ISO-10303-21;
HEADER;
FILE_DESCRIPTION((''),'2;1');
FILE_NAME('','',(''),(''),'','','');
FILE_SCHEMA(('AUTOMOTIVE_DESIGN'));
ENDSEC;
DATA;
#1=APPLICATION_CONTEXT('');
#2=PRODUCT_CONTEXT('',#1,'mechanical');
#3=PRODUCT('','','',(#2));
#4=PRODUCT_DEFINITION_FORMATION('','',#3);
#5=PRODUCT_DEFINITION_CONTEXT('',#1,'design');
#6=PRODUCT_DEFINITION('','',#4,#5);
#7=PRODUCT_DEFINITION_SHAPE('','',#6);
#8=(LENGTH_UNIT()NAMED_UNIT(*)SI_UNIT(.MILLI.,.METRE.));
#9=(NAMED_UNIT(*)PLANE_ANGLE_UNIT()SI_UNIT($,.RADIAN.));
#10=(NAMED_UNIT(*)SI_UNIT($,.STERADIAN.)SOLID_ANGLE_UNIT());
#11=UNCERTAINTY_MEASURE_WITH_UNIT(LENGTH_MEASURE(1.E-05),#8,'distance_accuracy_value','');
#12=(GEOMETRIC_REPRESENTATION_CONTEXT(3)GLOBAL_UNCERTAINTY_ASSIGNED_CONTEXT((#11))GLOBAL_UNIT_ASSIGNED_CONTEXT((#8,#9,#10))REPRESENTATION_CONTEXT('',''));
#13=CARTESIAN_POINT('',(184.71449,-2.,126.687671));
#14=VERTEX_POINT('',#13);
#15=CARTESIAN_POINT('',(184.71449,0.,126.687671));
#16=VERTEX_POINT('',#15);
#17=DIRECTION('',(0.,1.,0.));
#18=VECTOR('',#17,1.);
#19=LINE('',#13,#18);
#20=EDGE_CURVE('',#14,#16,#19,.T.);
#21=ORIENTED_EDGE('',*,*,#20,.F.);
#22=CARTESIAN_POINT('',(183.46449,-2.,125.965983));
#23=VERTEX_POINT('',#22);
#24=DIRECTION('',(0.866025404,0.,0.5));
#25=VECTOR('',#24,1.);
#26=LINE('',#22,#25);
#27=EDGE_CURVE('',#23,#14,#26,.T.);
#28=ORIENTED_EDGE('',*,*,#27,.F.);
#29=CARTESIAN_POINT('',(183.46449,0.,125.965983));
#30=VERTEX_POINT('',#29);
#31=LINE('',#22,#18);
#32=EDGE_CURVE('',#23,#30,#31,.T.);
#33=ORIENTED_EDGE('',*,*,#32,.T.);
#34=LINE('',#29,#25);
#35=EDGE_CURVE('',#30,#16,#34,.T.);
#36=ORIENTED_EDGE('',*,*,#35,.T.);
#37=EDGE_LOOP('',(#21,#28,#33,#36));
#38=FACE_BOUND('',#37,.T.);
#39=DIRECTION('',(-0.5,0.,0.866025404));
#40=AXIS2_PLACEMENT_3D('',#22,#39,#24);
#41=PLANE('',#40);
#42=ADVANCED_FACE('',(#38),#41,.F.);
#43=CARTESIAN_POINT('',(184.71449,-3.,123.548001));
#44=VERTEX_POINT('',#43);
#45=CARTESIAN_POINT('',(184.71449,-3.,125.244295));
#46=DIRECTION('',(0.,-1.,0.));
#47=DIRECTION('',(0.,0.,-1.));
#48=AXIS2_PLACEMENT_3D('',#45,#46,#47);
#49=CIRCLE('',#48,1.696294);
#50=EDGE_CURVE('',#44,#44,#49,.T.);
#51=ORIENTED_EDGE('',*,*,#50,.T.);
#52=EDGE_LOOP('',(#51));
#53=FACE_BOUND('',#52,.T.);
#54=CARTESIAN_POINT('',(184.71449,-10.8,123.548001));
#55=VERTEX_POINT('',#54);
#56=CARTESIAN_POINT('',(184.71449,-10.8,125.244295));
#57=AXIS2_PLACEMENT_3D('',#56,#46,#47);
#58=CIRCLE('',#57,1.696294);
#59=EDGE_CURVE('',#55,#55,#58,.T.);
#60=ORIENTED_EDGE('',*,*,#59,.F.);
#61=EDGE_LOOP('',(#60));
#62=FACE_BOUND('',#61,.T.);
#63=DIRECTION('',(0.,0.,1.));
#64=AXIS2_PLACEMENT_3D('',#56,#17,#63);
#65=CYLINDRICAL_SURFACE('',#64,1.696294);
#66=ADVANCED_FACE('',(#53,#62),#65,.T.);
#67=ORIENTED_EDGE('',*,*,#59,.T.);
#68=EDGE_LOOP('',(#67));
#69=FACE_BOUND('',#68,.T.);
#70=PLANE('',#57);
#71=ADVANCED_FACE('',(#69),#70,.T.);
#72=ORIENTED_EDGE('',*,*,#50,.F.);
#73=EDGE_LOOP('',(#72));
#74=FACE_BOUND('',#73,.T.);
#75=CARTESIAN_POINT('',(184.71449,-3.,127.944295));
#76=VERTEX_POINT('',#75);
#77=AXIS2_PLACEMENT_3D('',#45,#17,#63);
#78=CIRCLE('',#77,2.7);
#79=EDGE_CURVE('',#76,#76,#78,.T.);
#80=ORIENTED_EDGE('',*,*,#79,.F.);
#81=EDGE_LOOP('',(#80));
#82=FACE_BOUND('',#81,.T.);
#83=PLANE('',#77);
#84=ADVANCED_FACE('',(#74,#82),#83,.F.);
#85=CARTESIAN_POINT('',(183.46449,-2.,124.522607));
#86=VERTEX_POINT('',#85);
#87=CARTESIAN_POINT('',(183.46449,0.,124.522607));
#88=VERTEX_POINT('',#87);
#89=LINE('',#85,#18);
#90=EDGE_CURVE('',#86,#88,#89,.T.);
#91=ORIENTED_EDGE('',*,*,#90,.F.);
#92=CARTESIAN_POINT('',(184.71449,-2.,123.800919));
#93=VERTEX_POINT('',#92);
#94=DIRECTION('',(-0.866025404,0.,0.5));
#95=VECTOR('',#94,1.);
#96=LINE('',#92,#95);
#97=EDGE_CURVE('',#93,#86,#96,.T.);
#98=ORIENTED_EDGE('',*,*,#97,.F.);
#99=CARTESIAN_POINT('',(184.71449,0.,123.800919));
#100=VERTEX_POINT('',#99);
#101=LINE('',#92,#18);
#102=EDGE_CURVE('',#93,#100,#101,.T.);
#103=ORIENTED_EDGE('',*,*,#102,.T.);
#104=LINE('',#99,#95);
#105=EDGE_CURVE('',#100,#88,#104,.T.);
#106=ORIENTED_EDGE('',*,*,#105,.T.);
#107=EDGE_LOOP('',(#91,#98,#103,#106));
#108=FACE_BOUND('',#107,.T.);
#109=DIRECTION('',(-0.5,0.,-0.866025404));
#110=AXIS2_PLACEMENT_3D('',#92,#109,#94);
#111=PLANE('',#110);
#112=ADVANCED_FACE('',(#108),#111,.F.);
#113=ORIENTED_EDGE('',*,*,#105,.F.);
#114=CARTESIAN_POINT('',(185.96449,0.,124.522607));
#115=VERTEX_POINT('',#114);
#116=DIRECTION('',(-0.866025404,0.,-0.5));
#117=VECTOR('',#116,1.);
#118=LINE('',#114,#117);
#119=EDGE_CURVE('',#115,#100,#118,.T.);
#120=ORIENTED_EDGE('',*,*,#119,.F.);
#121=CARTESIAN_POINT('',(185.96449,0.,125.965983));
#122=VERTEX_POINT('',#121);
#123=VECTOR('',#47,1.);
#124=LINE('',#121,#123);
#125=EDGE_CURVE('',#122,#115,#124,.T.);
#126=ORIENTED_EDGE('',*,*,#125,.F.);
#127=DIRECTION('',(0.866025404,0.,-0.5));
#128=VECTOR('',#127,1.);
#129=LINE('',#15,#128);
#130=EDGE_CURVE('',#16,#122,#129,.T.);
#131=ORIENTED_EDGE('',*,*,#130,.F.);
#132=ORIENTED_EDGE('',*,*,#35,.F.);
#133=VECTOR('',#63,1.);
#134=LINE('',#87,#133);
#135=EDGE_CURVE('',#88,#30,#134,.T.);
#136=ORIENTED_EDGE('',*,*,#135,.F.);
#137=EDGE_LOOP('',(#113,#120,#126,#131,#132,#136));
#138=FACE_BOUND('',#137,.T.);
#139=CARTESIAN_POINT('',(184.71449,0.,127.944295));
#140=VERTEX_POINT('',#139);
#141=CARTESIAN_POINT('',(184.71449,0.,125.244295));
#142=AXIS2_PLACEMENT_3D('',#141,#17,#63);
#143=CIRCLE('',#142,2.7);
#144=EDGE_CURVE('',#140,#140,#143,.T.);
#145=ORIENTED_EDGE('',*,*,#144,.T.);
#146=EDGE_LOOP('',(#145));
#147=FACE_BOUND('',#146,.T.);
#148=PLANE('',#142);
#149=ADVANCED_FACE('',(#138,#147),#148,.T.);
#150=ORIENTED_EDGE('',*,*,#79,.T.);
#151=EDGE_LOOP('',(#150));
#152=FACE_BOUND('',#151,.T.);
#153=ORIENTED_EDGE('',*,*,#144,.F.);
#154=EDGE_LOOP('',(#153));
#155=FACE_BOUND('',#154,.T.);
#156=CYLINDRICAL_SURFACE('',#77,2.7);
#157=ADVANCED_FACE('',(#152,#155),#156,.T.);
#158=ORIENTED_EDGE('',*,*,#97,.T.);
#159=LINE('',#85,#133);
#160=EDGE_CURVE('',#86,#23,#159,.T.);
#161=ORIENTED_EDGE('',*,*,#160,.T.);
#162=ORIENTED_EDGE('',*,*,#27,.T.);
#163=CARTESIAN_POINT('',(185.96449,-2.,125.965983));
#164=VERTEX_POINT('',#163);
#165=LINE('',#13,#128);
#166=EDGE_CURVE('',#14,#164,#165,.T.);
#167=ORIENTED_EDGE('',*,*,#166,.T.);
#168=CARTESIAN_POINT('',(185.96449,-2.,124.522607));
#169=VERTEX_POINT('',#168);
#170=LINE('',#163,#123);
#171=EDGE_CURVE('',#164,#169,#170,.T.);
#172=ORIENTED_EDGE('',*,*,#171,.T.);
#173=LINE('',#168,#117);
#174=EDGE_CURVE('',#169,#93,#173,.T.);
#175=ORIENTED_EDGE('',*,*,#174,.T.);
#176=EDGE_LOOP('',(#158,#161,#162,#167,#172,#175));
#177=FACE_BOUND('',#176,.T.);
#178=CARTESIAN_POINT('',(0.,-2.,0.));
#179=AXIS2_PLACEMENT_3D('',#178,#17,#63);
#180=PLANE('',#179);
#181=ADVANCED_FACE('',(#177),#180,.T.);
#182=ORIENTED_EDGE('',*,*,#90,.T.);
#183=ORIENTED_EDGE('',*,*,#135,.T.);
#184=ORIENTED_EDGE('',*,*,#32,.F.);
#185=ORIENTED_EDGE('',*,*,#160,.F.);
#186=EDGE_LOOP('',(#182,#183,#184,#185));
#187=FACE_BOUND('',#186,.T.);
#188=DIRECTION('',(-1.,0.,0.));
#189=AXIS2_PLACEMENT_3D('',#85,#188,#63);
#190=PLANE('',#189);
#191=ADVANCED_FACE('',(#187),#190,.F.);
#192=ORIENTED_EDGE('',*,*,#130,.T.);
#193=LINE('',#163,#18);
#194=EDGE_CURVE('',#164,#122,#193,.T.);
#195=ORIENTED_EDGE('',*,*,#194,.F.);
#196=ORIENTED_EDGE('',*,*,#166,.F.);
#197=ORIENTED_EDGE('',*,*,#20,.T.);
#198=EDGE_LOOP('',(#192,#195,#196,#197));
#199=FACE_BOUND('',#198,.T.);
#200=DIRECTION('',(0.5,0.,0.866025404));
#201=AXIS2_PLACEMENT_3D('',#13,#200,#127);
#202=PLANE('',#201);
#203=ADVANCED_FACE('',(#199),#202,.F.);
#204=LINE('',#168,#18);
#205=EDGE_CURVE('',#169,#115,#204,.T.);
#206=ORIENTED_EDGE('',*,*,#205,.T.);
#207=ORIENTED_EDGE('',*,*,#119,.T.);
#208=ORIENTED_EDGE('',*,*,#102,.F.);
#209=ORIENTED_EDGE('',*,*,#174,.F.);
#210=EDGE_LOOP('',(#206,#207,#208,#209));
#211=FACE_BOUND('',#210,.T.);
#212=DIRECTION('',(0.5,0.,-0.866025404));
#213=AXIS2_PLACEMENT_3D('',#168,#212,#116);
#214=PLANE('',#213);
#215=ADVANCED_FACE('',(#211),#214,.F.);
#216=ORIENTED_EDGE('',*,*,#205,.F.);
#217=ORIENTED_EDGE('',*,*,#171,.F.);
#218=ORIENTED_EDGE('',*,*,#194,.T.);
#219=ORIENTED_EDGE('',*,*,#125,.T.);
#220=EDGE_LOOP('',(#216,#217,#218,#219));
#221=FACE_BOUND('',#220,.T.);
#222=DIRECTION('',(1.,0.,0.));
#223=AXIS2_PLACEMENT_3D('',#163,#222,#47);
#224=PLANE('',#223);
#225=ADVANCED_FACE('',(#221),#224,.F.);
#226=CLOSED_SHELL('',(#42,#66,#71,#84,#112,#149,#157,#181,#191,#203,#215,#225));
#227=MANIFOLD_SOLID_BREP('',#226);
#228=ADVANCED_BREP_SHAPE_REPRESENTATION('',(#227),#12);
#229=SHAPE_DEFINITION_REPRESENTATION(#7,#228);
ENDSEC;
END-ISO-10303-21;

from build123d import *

# Parameters (mm, degrees)
SKETCH1_R           = 2.7
BOSS_EXTRUDE1_DEPTH = 3
SKETCH2_R           = 1.696293742
BOSS_EXTRUDE2_DEPTH = 7.8
CUT_EXTRUDE1_DEPTH  = 2


with BuildPart() as part:
    # Sketch1 → Boss-Extrude1 (new body)
    with BuildSketch(Plane(origin=(0, 0, 0), x_dir=(1, 0, 0), z_dir=(0, 1, 0))):
        with Locations((184.714490272, -125.24429514)):
            Circle(SKETCH1_R)
    extrude(amount=-BOSS_EXTRUDE1_DEPTH)

    # Sketch2 → Boss-Extrude2 (add)
    with BuildSketch(Plane.XZ.offset(3)):
        with Locations((184.714490272, 125.24429514)):
            Circle(SKETCH2_R)
    extrude(amount=BOSS_EXTRUDE2_DEPTH)

    # Sketch3 → Cut-Extrude1 (cut)
    with BuildSketch(Plane(origin=(0, 0, 0), x_dir=(1, 0, 0), z_dir=(0, 1, 0))):
        Polygon((184.714490272, -123.800919467), (183.464490272, -124.522607304), (183.464490272, -125.965982977), (184.714490272, -126.687670813), (185.964490272, -125.965982977), (185.964490272, -124.522607304), align=None)
    extrude(amount=-CUT_EXTRUDE1_DEPTH, mode=Mode.SUBTRACT)


solid = part.part
